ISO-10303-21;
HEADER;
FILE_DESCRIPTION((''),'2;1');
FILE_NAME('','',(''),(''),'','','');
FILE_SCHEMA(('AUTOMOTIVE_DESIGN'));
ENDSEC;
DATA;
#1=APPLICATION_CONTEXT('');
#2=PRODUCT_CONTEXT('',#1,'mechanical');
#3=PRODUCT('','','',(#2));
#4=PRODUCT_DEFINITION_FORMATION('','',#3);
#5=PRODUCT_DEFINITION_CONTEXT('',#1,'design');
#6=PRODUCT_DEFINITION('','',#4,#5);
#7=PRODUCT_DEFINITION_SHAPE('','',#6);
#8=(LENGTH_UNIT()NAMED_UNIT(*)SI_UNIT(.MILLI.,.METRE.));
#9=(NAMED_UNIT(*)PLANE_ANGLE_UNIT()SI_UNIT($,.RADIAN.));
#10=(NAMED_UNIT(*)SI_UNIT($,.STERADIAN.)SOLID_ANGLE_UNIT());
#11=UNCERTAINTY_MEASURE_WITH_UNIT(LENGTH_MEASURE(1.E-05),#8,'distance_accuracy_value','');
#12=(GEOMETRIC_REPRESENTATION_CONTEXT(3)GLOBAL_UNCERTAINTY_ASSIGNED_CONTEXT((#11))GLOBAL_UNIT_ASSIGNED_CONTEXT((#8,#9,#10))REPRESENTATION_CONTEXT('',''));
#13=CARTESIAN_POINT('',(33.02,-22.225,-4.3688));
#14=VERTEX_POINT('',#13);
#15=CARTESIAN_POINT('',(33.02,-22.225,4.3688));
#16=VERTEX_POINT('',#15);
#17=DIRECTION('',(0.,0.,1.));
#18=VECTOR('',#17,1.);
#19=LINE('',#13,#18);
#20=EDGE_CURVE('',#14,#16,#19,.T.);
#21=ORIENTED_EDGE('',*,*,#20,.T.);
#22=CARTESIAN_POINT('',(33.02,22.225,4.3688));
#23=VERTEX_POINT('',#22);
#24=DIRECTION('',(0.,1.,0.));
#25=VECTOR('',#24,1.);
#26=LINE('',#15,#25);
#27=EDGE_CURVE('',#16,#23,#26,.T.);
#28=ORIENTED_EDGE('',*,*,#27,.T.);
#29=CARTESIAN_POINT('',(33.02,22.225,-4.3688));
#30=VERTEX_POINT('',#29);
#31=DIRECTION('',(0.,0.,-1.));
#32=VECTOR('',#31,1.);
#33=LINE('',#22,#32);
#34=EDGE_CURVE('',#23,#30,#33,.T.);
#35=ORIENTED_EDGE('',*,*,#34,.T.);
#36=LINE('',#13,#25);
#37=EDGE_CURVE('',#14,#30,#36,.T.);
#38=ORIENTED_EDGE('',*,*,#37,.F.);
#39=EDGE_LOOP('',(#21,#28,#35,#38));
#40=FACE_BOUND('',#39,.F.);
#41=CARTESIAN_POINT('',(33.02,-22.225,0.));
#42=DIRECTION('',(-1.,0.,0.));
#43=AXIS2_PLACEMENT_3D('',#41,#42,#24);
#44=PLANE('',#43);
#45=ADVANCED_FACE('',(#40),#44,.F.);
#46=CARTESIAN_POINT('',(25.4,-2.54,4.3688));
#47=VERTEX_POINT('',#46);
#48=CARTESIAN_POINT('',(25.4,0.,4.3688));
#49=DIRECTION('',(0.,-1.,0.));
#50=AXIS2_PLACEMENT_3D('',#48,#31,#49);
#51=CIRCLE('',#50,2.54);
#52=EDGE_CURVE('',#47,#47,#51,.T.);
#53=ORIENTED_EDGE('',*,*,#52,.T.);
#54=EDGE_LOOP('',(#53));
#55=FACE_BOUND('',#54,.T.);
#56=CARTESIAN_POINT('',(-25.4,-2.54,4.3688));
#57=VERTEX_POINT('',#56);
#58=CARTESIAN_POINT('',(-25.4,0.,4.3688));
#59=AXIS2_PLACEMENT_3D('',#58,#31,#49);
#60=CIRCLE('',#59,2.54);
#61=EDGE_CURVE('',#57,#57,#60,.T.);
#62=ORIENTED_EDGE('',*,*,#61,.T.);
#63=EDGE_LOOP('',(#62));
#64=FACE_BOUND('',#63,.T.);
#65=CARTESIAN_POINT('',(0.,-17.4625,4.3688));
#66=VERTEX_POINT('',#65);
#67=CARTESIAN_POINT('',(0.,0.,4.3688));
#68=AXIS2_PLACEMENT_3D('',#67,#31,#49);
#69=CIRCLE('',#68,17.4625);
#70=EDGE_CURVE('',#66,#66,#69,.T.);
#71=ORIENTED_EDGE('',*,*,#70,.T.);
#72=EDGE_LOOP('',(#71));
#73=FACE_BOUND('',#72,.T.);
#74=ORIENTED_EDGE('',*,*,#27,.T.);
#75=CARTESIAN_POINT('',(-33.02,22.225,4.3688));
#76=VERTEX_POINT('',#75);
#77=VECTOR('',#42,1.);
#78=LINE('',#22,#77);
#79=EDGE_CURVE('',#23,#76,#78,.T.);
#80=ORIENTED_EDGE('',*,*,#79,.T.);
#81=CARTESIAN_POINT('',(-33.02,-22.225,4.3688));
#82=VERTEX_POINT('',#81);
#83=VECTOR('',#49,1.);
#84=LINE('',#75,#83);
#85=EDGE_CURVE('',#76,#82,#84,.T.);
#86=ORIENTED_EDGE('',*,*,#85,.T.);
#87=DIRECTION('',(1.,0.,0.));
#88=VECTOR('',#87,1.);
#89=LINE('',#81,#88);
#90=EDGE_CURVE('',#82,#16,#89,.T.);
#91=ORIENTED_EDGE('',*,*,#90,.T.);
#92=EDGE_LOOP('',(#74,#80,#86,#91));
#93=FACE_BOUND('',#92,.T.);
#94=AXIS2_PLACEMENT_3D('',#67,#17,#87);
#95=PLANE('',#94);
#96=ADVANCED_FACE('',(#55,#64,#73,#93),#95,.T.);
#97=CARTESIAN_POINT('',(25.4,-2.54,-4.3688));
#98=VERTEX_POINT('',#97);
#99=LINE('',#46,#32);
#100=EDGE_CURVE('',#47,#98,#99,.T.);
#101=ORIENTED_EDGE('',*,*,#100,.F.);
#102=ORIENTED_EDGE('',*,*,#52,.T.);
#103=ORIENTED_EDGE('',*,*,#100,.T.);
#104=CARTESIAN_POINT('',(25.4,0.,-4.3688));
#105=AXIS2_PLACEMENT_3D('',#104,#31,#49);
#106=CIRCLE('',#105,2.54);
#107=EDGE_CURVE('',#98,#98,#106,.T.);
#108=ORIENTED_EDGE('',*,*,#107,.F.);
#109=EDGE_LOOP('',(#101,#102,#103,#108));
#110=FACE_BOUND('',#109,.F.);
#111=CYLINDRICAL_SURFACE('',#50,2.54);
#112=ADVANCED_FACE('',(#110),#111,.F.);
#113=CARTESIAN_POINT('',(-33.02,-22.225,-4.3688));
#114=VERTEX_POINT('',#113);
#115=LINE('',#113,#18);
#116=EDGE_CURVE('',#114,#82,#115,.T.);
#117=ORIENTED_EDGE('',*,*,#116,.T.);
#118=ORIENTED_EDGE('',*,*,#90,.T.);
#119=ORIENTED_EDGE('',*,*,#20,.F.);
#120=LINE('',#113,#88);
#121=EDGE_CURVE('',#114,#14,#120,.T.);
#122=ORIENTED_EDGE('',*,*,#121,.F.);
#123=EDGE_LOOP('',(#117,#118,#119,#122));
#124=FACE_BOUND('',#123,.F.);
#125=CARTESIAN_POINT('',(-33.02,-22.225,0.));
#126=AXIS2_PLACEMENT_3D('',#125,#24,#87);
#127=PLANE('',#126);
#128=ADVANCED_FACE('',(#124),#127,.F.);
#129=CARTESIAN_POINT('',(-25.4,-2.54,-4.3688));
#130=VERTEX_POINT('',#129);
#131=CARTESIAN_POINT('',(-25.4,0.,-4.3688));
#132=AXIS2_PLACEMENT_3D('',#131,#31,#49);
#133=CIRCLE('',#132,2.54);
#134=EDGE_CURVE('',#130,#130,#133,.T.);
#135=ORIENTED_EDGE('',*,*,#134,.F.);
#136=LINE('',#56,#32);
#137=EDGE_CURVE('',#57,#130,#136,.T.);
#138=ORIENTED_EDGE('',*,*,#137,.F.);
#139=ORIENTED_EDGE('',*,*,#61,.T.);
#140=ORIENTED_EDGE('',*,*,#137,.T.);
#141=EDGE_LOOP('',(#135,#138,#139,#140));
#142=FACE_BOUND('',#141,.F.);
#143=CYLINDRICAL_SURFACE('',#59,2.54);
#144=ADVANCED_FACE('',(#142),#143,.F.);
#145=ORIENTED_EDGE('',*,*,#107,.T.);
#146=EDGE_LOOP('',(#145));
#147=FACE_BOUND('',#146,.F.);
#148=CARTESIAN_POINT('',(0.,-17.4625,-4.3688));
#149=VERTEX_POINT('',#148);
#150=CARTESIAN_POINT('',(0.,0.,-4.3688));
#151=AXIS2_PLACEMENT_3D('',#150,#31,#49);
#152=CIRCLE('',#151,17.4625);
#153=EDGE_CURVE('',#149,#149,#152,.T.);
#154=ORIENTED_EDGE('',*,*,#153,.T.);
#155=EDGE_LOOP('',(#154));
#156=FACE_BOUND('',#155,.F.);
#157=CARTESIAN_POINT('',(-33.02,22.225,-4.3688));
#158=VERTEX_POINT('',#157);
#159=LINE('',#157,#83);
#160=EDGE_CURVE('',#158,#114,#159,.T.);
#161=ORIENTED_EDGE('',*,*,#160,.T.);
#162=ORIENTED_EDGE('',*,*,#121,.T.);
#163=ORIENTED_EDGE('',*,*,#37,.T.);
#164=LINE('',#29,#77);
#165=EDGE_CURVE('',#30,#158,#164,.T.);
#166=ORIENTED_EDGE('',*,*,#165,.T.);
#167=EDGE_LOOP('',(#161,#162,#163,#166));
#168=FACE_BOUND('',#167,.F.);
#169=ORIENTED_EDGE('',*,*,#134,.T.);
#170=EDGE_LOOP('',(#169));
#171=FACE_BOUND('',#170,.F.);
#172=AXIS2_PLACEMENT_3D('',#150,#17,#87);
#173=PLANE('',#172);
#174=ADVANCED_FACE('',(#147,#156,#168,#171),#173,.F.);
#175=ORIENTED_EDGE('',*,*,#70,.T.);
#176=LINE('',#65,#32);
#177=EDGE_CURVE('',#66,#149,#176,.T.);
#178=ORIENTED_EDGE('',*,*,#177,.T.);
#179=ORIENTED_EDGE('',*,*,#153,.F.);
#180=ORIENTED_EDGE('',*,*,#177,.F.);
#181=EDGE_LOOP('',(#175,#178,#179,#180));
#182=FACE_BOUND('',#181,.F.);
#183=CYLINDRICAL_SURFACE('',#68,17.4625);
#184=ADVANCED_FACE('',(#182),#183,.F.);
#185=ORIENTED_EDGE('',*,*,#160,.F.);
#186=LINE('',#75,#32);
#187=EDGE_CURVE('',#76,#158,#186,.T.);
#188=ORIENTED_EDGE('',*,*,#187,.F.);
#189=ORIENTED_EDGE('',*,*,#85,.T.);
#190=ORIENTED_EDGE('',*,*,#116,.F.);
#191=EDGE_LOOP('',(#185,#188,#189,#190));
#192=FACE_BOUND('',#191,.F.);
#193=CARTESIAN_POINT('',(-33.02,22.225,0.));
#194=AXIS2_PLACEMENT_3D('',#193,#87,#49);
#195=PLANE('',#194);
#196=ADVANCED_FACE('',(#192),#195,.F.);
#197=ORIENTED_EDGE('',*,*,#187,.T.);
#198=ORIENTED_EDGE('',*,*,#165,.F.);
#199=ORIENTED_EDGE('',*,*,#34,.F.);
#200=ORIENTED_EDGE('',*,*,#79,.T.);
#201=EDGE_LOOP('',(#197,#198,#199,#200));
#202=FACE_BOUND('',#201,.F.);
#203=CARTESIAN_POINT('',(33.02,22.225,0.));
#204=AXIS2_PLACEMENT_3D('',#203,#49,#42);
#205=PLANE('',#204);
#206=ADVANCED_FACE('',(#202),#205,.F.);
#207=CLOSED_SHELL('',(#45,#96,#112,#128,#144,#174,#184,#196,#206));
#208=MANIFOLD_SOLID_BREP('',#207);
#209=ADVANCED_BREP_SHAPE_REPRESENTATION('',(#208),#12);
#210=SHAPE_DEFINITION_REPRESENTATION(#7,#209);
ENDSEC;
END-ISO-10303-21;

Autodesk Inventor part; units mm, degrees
ref_plane "YZ Plane" through (0, 0, 0) normal (1, 0, 0) x (0, 1, 0)
ref_plane "XZ Plane" through (0, 0, 0) normal (0, 1, 0) x (-1, 0, 0)
ref_plane "XY Plane" through (0, 0, 0) normal (0, 0, 1) x (1, 0, 0)
sketch "Sketch1" plane through (0, 0, 0) normal (0, 0, 1) x (1, 0, 0)
  line L0 (-33.02, -22.225) -> (33.02, -22.225)
  line L1 (33.02, -22.225) -> (33.02, 22.225)
  line L2 (33.02, 22.225) -> (-33.02, 22.225)
  line L3 (-33.02, 22.225) -> (-33.02, -22.225)
  line L4 (-33.02, -22.225) -> (33.02, 22.225) construction
  line L5 (33.02, -22.225) -> (-33.02, 22.225) construction
  point P0 (0, 0)
  dimension "d0" = 66.04
  dimension "d1" = 44.45
extrude "Extrusion1" add sketch "Sketch1" along normal mid plane 8.7376
sketch "Sketch2" plane through (0, 0, 4.3688) normal (0, 0, 1) x (1, 0, 0)
  line L0 (-33.02, -22.225) -> (33.02, -22.225) projected
  line L1 (33.02, -22.225) -> (33.02, 22.225) projected
  line L2 (33.02, 22.225) -> (-33.02, 22.225) projected
  line L3 (-33.02, 22.225) -> (-33.02, -22.225) projected
  circle A0 centre (0, 0) radius 17.4625
  dimension "d4" = 34.925
hole "Hole1" at (0, 0, 4.3688) direction (0, 0, -1) diameter 34.925 end through all
sketch "Sketch3" plane through (0, 0, 4.3688) normal (0, 0, 1) x (1, 0, 0)
  circle A0 centre (0, 0) radius 17.4625 projected
  line L0 (-33.02, -22.225) -> (33.02, -22.225) projected
  line L1 (33.02, -22.225) -> (33.02, 22.225) projected
  line L2 (33.02, 22.225) -> (-33.02, 22.225) projected
  line L3 (-33.02, 22.225) -> (-33.02, -22.225) projected
  circle A1 centre (-25.4, 0) radius 2.54
  line L4 (0, 22.225) -> (0, -22.225) construction
  circle A2 centre (25.4, 0) radius 2.54
  dimension "d12" = 5.08
  dimension "d13" = 7.62
hole "Hole2" at (-25.4, 0, 4.3688) at (25.4, 0, 4.3688) direction (0, 0, -1) diameter 5.08 end through all
properties part number "Tapered Roller Bearing Housing" material "Aluminum 6061"
